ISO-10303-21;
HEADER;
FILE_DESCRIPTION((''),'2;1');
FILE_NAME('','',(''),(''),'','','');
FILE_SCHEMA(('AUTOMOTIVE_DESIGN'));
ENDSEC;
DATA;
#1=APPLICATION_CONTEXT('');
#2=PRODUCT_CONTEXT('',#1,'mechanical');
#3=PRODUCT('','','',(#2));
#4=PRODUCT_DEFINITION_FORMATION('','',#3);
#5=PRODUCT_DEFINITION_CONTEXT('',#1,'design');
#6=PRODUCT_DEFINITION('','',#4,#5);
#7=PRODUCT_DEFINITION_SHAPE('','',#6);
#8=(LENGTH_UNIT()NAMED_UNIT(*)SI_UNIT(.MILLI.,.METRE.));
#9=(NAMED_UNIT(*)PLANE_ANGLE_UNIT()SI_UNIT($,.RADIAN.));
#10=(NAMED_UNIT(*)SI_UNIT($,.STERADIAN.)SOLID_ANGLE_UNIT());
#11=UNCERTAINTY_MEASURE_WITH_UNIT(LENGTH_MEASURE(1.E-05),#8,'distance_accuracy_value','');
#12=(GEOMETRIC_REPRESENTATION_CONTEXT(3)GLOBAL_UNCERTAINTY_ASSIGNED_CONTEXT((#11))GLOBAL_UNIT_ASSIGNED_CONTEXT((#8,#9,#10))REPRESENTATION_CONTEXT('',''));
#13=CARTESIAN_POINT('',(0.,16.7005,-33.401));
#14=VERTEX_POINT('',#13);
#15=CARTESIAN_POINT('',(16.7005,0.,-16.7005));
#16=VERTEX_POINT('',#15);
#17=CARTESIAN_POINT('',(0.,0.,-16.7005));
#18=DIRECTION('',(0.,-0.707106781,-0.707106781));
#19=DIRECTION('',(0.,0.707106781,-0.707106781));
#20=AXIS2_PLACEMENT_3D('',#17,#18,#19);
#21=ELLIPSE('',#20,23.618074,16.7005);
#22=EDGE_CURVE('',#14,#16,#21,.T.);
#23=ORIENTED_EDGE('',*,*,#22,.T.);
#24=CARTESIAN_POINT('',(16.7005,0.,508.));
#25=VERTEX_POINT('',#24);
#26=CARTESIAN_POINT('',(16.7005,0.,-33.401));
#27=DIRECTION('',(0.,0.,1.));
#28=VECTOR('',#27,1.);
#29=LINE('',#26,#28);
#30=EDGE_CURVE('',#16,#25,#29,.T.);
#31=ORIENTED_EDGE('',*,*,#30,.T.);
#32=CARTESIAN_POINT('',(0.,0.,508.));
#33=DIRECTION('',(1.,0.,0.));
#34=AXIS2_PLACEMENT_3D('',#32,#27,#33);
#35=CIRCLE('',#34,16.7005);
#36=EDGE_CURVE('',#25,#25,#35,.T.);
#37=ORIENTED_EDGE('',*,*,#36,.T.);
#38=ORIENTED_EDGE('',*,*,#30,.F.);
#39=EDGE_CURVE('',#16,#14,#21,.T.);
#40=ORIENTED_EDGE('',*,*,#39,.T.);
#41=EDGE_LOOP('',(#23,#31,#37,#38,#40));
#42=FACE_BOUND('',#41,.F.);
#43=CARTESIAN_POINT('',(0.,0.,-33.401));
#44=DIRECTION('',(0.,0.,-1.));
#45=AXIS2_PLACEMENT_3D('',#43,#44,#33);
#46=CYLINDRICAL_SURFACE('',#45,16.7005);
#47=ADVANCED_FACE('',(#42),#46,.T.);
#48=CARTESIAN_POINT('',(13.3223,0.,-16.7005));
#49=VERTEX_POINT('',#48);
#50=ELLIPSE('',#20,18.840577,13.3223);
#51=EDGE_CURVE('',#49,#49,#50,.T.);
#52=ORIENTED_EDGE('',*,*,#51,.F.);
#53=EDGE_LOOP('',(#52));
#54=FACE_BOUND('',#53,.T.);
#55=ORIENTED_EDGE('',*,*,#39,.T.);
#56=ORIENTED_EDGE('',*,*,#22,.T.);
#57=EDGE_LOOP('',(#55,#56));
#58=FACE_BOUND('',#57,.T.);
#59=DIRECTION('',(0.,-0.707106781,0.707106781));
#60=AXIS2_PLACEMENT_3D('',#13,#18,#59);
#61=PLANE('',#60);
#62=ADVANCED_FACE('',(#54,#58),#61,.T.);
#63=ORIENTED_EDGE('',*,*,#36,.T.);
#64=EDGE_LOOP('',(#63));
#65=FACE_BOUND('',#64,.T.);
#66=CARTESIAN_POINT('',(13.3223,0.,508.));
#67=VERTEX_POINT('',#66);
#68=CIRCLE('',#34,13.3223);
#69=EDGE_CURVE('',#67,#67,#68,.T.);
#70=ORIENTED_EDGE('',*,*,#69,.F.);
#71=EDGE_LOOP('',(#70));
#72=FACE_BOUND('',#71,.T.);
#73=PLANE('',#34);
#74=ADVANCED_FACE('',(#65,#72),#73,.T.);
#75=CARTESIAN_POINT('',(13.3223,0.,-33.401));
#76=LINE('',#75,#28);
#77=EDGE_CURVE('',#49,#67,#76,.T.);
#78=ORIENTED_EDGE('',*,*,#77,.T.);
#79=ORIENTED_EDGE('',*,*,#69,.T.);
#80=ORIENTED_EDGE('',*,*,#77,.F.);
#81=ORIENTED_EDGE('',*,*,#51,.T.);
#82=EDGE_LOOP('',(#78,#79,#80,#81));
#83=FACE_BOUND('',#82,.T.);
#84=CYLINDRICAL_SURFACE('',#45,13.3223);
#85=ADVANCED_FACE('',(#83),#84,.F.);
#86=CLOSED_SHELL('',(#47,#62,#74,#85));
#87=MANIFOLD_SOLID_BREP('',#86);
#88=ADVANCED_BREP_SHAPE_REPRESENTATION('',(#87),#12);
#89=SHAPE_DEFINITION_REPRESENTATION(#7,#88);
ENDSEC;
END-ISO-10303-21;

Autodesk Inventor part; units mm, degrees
ref_plane "Start plane" through (0, 0, -33.401) normal (0, 0, 1) x (1, 0, 0)
ref_plane "End plane" through (0, 0, 508) normal (0, 0, 1) x (1, 0, 0)
sketch "Sketch" plane through (0, 0, 0) normal (0, 0, 1) x (1, 0, 0)
  circle A0 centre (0, 0) radius 13.3223
  circle A1 centre (0, 0) radius 16.7005
  dimension "d0" = 33.401
  dimension "d1" = 3.3782
extrude "Body" add sketch "Sketch" along normal up to surface (541.401 mm away) from surface at -33.401
sketch "Sketch3" plane through (0, 0, 0) normal (0, 0, 1) x (1, 0, 0)
  line L0 (0, 0) -> (10, 0)
ref_plane "Work Plane3" through (0, 0, 0) normal (0, -1, 0) x (1, 0, 0)
sketch "Sketch4" plane through (0, 0, 0) normal (0, -1, 0) x (1, 0, 0)
  line L0 (-2, -33.401) -> (12, -33.401)
  line L1 (-2, 508) -> (12, 508)
  dimension "d7" = 541.401
ref_plane "Work Plane4" through (0, 16.7005, -33.401) normal (0, -0.7071, -0.7071) x (1, 0, 0)
split "Split1" plane through (0, 16.7005, -33.401) removes the side toward (0, -0.7071, -0.7071)
equation "\"d0\" = G_H"
equation "\"d1\" = G_T"
equation "\"d2\" = G_L"
equation "\"G_H\" = 33.401"
equation "\"G_T\" = 3.3782"
equation "\"G_L\" = d7"
equation "\"G_OFFSET_START\" = 33.401"
equation "\"G_OFFSET_END\" = 0"
equation "\"d4\" = -G_OFFSET_START"
equation "\"d5\" = G_OFFSET_END + B_L"
equation "\"B_L\" = 508"
properties part number "ANSI - 1 x 0.133 - 21.315" material "Aluminum 6061"
